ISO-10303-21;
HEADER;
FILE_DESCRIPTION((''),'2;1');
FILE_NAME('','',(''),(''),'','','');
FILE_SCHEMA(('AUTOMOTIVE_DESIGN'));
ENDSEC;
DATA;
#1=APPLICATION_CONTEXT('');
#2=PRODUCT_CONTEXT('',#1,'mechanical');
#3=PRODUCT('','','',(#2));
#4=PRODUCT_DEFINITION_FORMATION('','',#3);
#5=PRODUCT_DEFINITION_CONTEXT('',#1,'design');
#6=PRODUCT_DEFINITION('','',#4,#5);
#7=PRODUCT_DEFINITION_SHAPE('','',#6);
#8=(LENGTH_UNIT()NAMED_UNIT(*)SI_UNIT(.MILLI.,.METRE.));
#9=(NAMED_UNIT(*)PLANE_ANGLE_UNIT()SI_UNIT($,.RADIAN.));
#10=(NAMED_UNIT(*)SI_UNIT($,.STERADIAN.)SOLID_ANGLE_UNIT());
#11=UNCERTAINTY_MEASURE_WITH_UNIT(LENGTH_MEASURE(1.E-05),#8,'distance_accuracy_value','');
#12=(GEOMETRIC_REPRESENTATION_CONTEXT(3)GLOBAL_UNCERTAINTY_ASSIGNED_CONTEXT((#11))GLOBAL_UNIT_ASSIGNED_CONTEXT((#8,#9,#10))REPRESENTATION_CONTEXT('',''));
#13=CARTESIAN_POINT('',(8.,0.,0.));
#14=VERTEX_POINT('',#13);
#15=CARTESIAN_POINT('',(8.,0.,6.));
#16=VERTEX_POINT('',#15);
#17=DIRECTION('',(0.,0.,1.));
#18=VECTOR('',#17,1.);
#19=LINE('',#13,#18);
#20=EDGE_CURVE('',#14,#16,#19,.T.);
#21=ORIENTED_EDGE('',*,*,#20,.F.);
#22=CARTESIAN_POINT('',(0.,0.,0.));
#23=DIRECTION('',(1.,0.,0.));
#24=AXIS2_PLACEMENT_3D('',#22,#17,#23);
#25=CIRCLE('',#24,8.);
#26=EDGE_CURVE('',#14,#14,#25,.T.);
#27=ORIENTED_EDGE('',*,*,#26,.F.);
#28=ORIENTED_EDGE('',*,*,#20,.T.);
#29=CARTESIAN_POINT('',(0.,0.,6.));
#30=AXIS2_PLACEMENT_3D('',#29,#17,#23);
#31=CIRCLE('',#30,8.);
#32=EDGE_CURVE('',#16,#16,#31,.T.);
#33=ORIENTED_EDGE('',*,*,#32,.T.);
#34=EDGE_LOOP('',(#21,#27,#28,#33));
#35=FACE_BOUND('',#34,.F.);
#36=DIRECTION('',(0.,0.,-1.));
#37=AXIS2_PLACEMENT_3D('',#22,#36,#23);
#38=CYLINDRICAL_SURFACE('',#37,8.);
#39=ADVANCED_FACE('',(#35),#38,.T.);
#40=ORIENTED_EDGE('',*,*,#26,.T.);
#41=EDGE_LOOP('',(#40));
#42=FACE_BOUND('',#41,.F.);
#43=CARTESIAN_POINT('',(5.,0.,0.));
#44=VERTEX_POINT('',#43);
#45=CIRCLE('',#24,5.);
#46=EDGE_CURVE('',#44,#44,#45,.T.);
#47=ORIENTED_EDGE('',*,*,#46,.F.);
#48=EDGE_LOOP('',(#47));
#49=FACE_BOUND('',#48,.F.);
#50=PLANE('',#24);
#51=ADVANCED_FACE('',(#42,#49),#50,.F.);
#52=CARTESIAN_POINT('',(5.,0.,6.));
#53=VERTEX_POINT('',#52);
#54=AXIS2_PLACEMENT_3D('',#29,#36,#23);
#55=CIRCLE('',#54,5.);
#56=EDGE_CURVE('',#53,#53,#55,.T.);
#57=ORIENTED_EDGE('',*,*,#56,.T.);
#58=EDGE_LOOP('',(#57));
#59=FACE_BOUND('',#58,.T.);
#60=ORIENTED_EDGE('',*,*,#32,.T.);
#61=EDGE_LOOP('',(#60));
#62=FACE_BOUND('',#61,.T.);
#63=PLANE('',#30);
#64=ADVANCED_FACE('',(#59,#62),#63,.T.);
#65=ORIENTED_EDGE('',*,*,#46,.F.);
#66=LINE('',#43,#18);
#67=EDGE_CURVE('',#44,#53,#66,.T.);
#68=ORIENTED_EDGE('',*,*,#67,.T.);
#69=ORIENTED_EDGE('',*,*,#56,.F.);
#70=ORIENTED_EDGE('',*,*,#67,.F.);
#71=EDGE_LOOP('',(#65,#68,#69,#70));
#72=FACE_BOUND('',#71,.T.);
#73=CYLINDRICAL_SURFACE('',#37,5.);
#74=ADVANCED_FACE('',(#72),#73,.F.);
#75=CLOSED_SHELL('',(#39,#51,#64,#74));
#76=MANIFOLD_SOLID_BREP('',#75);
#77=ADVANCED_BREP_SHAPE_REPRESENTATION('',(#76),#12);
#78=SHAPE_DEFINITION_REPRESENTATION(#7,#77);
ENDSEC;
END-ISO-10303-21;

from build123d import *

# Parameters (mm, degrees)
CYLINDER_R        = 8
CYLINDER_DEPTH    = 6
CYLINDER001_R     = 5
CYLINDER001_DEPTH = 10


with BuildPart() as part:
    # Cylinder → Cylinder (join)
    with BuildSketch(Plane.XY):
        Circle(CYLINDER_R)
    extrude(amount=CYLINDER_DEPTH)

    # Cylinder001 → Cylinder001 (cut)
    with BuildSketch(Plane.XY):
        Circle(CYLINDER001_R)
    extrude(amount=CYLINDER001_DEPTH, mode=Mode.SUBTRACT)


solid = part.part
